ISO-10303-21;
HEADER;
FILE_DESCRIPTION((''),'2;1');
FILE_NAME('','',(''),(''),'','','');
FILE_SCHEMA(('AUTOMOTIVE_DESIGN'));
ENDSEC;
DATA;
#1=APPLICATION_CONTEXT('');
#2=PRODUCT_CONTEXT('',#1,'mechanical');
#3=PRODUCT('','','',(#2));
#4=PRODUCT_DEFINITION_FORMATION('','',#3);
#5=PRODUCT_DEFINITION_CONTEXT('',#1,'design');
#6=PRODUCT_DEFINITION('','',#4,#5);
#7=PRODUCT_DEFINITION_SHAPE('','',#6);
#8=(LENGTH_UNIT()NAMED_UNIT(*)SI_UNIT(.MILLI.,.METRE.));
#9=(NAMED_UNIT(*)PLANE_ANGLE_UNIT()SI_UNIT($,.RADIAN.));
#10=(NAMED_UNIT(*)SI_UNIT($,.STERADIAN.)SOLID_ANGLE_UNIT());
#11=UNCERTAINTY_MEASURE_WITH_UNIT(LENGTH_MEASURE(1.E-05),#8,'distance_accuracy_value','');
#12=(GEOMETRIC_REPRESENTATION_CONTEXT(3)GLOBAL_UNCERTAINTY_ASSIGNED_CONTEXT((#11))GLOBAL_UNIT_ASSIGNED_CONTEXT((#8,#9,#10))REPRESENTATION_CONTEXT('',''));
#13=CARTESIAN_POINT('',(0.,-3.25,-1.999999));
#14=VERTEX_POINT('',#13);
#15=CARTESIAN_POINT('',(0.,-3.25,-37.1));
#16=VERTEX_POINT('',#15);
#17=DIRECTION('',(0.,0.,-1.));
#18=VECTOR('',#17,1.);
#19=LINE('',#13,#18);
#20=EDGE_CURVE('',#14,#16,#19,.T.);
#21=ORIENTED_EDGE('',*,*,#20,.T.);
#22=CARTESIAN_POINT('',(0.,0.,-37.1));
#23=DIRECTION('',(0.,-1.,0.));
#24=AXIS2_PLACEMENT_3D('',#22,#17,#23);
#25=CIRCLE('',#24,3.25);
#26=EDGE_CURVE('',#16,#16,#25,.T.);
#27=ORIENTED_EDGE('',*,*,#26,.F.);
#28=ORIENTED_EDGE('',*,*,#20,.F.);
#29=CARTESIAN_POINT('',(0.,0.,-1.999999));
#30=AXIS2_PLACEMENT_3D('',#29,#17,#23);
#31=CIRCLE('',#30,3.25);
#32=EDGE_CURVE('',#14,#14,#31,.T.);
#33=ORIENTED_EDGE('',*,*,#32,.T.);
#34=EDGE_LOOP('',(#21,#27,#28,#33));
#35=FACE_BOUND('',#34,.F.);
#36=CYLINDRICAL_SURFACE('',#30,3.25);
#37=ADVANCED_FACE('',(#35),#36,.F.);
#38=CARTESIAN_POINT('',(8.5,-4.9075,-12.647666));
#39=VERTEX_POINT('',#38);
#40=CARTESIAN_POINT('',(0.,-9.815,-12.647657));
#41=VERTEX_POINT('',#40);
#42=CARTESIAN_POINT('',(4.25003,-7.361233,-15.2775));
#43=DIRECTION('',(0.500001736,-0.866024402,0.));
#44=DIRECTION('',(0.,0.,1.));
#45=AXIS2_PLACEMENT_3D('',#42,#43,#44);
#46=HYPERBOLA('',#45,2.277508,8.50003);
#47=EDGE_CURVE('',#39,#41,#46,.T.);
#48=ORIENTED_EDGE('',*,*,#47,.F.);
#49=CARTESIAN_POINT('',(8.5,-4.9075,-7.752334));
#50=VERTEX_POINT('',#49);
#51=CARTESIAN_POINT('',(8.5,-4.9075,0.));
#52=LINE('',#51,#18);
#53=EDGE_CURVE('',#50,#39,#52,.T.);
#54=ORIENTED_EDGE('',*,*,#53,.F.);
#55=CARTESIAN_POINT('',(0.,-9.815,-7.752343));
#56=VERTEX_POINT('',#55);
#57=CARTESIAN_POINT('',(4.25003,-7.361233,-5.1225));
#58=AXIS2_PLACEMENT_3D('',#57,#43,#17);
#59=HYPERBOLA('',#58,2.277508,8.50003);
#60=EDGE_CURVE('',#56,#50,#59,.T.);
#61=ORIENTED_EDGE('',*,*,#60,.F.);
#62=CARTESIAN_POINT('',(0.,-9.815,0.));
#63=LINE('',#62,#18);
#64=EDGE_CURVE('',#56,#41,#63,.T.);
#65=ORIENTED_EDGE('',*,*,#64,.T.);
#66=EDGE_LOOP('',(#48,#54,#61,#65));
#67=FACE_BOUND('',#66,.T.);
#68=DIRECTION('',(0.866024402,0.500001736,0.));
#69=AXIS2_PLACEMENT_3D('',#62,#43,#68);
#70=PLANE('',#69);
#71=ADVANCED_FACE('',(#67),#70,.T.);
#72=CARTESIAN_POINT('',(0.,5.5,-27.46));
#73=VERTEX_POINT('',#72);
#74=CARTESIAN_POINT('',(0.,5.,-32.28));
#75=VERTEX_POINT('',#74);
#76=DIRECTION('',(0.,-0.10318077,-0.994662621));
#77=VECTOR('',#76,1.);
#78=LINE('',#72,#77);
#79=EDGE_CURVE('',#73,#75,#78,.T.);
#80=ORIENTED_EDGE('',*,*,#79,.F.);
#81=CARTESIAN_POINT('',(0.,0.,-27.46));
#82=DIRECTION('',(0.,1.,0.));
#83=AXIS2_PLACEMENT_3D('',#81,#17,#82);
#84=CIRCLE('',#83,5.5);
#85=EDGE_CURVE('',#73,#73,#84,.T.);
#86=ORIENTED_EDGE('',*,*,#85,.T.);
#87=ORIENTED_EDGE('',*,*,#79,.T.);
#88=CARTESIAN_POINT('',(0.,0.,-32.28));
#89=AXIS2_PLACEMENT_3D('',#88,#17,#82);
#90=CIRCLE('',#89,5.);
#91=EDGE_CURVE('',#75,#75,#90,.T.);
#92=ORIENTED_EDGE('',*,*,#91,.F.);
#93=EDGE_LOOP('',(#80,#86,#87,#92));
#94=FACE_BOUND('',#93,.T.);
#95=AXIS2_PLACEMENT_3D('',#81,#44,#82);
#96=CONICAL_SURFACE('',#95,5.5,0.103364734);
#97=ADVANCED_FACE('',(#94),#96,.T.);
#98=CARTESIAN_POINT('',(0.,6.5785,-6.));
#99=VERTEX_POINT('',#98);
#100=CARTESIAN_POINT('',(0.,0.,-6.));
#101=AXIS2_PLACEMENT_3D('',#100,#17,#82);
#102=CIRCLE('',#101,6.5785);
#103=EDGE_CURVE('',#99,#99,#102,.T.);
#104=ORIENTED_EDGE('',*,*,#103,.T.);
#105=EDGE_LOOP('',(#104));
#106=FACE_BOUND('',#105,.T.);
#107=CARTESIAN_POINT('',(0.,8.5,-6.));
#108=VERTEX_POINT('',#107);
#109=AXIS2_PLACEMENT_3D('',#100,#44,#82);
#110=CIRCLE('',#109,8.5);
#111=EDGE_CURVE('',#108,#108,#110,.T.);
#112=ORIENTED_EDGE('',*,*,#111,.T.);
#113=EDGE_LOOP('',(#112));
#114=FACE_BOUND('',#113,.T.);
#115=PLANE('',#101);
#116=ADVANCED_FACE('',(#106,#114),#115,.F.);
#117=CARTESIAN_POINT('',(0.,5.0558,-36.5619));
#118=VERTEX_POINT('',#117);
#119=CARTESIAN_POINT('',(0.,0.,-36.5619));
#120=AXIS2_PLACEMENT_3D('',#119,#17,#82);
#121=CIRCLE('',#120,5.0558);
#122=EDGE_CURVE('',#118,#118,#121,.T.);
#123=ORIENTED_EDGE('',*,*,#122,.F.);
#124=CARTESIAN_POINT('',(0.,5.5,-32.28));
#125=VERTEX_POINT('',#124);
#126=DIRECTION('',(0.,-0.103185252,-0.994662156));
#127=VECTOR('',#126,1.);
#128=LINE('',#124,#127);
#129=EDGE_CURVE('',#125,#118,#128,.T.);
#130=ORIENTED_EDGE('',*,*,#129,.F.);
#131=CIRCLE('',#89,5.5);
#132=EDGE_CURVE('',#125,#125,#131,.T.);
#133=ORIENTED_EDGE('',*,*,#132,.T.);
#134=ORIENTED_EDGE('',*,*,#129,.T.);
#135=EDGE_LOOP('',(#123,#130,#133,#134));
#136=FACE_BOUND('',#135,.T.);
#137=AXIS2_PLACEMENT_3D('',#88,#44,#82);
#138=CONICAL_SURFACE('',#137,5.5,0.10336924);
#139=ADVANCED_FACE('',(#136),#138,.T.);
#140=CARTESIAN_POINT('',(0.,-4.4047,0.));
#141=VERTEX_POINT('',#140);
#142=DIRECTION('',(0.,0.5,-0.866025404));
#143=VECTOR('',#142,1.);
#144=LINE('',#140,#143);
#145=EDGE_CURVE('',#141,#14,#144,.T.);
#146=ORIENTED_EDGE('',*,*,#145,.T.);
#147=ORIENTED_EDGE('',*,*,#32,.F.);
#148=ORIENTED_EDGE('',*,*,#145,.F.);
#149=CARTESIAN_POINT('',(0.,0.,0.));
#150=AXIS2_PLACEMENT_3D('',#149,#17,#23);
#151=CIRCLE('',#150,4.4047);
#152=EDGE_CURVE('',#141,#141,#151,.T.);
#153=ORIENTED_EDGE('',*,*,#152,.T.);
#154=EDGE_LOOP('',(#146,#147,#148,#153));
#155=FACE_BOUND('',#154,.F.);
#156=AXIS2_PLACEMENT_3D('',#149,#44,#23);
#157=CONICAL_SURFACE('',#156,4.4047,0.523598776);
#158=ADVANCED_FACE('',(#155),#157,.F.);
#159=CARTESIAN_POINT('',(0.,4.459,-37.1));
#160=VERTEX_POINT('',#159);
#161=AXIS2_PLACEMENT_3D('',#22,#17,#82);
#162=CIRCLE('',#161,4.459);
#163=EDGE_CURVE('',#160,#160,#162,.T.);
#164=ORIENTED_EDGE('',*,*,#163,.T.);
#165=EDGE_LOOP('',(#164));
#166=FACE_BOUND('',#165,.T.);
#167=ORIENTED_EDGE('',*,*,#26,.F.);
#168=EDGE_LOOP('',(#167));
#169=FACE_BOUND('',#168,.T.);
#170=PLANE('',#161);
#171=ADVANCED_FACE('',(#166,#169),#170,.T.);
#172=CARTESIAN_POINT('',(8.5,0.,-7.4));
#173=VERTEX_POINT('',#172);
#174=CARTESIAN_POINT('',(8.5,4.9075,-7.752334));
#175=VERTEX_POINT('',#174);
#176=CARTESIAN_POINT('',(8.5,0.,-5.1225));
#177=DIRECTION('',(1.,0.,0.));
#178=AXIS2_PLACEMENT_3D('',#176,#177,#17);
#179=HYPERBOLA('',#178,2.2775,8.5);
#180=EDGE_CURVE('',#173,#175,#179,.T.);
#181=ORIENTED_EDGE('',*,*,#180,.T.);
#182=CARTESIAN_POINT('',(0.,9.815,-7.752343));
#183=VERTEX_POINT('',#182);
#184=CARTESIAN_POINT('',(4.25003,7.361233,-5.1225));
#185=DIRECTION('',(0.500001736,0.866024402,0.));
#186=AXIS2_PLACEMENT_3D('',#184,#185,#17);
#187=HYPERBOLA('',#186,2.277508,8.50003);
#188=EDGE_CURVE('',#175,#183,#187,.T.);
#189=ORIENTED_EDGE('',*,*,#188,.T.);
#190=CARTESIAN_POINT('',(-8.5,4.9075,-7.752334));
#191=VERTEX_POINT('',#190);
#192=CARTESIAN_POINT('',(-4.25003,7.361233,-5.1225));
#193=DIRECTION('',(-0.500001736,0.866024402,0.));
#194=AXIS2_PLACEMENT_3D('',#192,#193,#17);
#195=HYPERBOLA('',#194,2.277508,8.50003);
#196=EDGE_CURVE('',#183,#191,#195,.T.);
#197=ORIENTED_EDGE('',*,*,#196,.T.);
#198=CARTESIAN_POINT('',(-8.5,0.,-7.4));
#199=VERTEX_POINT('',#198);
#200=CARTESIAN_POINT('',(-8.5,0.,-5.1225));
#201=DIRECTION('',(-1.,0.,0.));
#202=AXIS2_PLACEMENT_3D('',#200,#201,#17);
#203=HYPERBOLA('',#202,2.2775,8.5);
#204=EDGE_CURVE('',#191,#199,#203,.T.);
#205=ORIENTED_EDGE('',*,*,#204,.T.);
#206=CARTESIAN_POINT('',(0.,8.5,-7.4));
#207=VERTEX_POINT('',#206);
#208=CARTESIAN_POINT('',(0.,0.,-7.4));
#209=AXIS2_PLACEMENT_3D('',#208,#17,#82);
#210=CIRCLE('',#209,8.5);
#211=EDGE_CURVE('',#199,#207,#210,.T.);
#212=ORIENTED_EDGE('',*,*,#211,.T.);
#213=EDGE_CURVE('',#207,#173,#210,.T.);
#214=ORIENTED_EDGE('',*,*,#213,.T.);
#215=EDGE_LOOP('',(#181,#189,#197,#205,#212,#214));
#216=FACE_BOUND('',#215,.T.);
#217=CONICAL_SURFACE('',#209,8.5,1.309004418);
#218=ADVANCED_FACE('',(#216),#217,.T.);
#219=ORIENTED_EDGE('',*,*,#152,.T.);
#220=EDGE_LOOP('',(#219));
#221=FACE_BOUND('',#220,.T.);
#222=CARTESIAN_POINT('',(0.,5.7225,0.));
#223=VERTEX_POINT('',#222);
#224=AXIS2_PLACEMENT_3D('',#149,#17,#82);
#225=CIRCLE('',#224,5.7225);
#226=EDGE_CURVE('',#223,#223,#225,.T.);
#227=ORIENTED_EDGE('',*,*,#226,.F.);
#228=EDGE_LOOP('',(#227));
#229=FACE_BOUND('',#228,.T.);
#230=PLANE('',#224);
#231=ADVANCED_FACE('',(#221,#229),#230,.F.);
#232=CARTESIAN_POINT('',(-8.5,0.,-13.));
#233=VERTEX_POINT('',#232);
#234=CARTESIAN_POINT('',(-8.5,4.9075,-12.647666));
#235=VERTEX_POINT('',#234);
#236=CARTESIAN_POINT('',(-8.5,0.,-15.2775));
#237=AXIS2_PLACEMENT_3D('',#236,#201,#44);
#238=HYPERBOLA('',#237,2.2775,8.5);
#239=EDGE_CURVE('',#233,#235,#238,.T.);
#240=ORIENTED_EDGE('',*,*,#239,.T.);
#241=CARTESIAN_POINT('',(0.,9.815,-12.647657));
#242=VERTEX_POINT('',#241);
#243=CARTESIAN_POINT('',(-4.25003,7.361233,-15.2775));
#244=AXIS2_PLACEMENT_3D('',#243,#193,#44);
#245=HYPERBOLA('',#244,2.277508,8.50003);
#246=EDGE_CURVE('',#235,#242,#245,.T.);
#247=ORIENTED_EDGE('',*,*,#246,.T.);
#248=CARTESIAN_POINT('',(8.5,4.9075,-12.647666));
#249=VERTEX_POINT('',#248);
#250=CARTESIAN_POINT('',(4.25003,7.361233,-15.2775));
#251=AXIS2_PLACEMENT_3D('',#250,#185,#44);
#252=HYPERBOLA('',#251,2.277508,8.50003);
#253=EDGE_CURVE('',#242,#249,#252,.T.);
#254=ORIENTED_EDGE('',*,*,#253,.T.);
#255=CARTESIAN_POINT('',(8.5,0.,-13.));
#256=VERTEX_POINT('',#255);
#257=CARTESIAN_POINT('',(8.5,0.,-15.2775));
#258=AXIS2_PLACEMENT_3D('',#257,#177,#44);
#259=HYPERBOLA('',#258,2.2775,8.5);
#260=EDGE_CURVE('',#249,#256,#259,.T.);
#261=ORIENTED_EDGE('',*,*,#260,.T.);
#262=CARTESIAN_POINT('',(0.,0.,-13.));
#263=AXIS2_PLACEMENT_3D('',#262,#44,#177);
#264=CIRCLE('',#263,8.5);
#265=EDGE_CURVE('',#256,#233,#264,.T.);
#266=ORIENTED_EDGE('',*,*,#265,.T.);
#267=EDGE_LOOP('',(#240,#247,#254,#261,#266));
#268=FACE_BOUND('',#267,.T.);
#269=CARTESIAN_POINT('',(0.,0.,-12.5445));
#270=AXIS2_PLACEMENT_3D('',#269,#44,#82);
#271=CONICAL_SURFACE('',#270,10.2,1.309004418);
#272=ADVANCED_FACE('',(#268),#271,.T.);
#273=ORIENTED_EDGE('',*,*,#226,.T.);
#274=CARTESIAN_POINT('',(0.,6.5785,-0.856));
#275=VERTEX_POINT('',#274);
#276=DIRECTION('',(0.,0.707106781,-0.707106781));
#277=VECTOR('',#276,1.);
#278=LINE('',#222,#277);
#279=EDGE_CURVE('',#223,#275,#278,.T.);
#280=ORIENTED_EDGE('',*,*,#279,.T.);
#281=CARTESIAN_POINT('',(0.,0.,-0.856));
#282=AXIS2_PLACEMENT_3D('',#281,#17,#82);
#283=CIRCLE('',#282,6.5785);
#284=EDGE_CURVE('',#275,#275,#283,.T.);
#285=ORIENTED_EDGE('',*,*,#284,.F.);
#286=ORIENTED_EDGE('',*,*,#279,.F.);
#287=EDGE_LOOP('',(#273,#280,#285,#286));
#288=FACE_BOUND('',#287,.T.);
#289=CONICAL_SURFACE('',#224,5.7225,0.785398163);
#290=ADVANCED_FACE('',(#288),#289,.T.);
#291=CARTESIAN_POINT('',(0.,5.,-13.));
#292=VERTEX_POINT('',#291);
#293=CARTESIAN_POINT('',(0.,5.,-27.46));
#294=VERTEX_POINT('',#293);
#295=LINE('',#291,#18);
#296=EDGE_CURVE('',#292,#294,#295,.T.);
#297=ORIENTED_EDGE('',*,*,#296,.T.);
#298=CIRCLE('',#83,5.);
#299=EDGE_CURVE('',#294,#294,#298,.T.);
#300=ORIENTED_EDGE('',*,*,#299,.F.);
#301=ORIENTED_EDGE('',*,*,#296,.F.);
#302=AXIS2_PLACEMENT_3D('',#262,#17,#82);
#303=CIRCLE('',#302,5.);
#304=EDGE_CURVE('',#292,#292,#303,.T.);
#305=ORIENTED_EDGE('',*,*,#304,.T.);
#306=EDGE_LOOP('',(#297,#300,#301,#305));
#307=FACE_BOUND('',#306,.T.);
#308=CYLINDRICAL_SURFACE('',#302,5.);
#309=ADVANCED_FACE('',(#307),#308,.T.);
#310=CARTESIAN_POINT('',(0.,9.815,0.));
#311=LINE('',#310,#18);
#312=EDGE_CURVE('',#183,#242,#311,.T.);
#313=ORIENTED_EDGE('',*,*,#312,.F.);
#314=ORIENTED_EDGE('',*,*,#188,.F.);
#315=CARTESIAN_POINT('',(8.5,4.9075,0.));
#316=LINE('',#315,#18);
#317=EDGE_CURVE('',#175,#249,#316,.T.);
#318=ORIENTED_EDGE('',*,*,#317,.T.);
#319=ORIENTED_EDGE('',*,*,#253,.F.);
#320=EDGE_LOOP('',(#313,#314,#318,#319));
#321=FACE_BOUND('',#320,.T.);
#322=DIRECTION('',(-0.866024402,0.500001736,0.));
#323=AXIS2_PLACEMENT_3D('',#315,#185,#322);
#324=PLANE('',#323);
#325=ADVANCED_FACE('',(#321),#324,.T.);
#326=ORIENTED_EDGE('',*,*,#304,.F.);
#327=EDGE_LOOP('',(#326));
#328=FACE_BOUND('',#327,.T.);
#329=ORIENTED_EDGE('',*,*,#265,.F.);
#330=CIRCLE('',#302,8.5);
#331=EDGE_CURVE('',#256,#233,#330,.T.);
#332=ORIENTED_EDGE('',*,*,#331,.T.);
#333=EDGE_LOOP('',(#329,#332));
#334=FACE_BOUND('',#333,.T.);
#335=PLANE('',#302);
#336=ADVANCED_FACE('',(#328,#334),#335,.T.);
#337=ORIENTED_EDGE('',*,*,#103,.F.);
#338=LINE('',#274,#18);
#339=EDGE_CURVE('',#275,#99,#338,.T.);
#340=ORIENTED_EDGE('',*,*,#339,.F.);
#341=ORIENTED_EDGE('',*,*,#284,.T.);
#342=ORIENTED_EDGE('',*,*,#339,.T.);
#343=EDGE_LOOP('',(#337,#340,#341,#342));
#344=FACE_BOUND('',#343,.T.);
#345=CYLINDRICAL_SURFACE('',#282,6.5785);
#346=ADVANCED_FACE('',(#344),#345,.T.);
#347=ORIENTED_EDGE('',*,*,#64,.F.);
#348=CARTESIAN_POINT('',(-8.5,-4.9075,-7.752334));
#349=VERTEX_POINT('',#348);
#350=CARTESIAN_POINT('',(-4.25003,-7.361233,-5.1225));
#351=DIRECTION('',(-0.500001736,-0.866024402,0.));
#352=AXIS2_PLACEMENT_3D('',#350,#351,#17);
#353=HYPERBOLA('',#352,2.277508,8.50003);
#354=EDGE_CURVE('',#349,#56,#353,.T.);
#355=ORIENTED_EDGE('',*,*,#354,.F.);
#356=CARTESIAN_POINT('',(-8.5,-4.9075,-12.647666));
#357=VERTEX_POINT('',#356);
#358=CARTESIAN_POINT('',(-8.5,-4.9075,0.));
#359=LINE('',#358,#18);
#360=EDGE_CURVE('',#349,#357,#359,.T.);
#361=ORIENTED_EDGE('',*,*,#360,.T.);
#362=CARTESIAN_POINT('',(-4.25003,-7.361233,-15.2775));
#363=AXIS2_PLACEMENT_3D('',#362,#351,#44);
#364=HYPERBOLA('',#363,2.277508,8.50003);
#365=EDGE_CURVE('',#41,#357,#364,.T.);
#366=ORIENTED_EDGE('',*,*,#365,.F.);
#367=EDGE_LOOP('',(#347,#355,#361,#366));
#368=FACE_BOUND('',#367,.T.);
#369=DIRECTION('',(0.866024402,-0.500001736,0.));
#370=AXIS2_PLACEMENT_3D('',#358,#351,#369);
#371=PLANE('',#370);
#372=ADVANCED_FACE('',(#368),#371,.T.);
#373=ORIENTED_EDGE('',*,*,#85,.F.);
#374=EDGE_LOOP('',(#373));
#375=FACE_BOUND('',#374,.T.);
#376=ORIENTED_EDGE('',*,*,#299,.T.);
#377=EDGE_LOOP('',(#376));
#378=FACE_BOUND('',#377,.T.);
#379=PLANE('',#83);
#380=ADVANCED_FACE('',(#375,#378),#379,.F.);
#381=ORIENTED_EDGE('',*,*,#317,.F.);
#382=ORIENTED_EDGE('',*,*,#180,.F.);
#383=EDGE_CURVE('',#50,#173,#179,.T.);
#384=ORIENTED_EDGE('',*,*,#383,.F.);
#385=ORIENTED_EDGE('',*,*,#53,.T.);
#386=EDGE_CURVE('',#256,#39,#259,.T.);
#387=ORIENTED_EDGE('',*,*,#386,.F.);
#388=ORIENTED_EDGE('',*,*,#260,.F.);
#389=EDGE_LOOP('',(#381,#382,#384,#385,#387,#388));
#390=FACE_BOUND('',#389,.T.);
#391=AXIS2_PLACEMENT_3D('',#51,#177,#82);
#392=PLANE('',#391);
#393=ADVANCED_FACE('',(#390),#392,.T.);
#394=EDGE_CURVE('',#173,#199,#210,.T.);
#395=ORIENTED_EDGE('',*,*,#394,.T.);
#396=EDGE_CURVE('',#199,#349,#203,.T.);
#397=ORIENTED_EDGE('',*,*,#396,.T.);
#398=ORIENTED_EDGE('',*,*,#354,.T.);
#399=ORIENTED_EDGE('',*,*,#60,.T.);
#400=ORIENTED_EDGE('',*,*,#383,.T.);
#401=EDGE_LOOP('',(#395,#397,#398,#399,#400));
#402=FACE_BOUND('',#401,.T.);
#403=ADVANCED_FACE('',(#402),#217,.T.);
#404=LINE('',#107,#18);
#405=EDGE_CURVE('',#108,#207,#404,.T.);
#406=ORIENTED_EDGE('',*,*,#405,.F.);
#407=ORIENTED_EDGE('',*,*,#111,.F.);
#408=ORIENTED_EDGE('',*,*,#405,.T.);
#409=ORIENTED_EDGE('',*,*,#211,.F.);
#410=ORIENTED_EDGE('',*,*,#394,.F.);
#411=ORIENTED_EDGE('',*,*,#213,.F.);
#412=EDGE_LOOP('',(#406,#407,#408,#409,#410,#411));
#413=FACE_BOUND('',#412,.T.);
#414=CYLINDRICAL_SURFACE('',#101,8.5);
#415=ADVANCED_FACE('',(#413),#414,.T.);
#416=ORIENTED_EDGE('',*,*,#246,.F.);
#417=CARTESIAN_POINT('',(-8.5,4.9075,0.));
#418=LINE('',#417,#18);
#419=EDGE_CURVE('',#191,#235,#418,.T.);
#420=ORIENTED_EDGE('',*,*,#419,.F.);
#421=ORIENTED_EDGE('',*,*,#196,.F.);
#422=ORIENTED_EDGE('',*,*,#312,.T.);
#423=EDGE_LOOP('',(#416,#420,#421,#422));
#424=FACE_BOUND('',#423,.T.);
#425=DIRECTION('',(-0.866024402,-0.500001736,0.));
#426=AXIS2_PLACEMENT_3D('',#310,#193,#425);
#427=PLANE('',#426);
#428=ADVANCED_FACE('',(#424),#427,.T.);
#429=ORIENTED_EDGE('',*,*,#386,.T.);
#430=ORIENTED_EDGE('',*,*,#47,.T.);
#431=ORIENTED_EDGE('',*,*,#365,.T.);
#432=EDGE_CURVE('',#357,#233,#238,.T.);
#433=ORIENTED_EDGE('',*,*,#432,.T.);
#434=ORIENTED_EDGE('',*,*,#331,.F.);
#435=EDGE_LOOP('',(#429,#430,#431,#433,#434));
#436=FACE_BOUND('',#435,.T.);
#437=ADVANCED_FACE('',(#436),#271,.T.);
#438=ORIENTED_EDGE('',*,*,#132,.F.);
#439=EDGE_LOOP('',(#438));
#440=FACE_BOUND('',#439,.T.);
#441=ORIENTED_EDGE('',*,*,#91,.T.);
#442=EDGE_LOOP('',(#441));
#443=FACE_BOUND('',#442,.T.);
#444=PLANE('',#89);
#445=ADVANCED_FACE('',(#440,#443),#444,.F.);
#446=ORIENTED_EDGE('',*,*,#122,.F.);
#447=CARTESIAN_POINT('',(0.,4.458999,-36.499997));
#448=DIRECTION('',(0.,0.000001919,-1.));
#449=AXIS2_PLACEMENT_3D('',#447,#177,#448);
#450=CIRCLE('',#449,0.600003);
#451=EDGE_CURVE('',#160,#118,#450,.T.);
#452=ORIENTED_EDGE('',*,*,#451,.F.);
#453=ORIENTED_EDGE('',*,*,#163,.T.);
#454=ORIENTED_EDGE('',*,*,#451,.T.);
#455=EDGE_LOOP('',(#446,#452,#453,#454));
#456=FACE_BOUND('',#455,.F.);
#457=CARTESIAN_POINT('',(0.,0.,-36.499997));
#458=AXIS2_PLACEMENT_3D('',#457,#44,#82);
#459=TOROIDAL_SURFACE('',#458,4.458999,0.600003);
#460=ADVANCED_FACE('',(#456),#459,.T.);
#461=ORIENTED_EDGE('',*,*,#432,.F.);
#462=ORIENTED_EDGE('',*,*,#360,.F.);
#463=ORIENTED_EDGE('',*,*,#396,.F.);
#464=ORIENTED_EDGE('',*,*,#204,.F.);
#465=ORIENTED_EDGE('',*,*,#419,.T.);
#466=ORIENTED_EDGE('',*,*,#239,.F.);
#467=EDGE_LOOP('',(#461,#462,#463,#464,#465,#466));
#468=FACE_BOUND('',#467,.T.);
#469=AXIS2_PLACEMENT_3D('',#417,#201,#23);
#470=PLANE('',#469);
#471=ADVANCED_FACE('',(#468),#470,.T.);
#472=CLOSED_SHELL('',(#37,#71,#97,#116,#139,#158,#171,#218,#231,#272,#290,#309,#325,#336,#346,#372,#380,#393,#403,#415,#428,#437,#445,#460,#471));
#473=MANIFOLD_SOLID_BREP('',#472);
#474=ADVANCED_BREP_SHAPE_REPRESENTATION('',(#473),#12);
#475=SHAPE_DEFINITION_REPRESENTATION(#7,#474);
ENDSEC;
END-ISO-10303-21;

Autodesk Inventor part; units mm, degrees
sketch "Skizze_1" plane through (0, 0, 0) normal (1, 0, 0) x (0, 1, 0)
  line L0 (0, -37.1) -> (0, 0)
  line L1 (0, 0) -> (5.7225, 0)
  line L2 (5.7225, 0) -> (6.5785, -0.856)
  line L3 (6.5785, -0.856) -> (6.5785, -6)
  line L4 (6.5785, -6) -> (8.5, -6)
  line L5 (8.5, -6) -> (8.5, -7.4)
  line L6 (8.5, -7.4) -> (10.2, -7.8555)
  line L7 (10.2, -7.8555) -> (10.2, -12.5445)
  line L8 (10.2, -12.5445) -> (8.5, -13)
  line L9 (8.5, -13) -> (5, -13)
  line L10 (5, -13) -> (5, -27.46)
  line L11 (5, -27.46) -> (5.5, -27.46)
  line L12 (5.5, -27.46) -> (5, -32.28)
  line L13 (5, -32.28) -> (5.5, -32.28)
  line L14 (5.5, -32.28) -> (5.0558, -36.5619)
  arc A0 (4.459, -37.1) -> (5.0558, -36.5619) centre (4.459, -36.5) ccw
  line L15 (4.459, -37.1) -> (0, -37.1)
  line L16 (0, -37.1) -> (0, 0)
revolve "Revolution1" add sketch "Skizze_1" angle 360 about axis through (0, 0, -37.1) along (0, 0, -1)
thread "Thread1" size "G13.157x1.337" designation "G 1/4" class "A" standard "ISO Pipe Threads" length 4.144
sketch "Sketch2" plane through (0, 0, 0) normal (0, 0, 1) x (1, 0, 0)
  point P0 (0, 0)
hole "Hole1" at (0, 0, 0) direction (0, 0, -1) diameter 6.5 depth 37.1 countersink diameter 8.8094 countersink angle 60
sketch "Skizze_3" plane through (0, 0, 0) normal (0, 0, 1) x (1, 0, 0)
  line L0 (-17, -17) -> (17, -17)
  line L1 (17, -17) -> (17, 17)
  line L2 (17, 17) -> (-17, 17)
  line L3 (-17, 17) -> (-17, -17)
  line L4 (-8.5, -4.9075) -> (0, -9.815)
  line L5 (0, -9.815) -> (8.5, -4.9075)
  line L6 (8.5, -4.9075) -> (8.5, 4.9075)
  line L7 (8.5, 4.9075) -> (0, 9.815)
  line L8 (0, 9.815) -> (-8.5, 4.9075)
  line L9 (-8.5, 4.9075) -> (-8.5, -4.9075)
extrude "Extrusion1" cut sketch "Skizze_3" against normal blind 13
ref_plane "ANBAU_XY" through (0, 0, -6) normal (0, 0, -1) x (1, 0, 0)
ref_plane "ANBAU_YZ" through (0, 0, -6) normal (1, 0, 0) x (0, -1, 0)
ref_plane "ANBAU_ZX" through (0, 0, -6) normal (0, -1, 0) x (0, 0, -1)
ref_plane "ANBAU_STD_XY" through (0, 0, -6) normal (0, 0, -1) x (1, 0, 0)
ref_plane "ANBAU_STD_YZ" through (0, 0, -6) normal (1, 0, 0) x (0, -1, 0)
ref_plane "ANBAU_STD_ZX" through (0, 0, -6) normal (0, -1, 0) x (0, 0, -1)
properties part number "3607 N-1/4-P-9"
